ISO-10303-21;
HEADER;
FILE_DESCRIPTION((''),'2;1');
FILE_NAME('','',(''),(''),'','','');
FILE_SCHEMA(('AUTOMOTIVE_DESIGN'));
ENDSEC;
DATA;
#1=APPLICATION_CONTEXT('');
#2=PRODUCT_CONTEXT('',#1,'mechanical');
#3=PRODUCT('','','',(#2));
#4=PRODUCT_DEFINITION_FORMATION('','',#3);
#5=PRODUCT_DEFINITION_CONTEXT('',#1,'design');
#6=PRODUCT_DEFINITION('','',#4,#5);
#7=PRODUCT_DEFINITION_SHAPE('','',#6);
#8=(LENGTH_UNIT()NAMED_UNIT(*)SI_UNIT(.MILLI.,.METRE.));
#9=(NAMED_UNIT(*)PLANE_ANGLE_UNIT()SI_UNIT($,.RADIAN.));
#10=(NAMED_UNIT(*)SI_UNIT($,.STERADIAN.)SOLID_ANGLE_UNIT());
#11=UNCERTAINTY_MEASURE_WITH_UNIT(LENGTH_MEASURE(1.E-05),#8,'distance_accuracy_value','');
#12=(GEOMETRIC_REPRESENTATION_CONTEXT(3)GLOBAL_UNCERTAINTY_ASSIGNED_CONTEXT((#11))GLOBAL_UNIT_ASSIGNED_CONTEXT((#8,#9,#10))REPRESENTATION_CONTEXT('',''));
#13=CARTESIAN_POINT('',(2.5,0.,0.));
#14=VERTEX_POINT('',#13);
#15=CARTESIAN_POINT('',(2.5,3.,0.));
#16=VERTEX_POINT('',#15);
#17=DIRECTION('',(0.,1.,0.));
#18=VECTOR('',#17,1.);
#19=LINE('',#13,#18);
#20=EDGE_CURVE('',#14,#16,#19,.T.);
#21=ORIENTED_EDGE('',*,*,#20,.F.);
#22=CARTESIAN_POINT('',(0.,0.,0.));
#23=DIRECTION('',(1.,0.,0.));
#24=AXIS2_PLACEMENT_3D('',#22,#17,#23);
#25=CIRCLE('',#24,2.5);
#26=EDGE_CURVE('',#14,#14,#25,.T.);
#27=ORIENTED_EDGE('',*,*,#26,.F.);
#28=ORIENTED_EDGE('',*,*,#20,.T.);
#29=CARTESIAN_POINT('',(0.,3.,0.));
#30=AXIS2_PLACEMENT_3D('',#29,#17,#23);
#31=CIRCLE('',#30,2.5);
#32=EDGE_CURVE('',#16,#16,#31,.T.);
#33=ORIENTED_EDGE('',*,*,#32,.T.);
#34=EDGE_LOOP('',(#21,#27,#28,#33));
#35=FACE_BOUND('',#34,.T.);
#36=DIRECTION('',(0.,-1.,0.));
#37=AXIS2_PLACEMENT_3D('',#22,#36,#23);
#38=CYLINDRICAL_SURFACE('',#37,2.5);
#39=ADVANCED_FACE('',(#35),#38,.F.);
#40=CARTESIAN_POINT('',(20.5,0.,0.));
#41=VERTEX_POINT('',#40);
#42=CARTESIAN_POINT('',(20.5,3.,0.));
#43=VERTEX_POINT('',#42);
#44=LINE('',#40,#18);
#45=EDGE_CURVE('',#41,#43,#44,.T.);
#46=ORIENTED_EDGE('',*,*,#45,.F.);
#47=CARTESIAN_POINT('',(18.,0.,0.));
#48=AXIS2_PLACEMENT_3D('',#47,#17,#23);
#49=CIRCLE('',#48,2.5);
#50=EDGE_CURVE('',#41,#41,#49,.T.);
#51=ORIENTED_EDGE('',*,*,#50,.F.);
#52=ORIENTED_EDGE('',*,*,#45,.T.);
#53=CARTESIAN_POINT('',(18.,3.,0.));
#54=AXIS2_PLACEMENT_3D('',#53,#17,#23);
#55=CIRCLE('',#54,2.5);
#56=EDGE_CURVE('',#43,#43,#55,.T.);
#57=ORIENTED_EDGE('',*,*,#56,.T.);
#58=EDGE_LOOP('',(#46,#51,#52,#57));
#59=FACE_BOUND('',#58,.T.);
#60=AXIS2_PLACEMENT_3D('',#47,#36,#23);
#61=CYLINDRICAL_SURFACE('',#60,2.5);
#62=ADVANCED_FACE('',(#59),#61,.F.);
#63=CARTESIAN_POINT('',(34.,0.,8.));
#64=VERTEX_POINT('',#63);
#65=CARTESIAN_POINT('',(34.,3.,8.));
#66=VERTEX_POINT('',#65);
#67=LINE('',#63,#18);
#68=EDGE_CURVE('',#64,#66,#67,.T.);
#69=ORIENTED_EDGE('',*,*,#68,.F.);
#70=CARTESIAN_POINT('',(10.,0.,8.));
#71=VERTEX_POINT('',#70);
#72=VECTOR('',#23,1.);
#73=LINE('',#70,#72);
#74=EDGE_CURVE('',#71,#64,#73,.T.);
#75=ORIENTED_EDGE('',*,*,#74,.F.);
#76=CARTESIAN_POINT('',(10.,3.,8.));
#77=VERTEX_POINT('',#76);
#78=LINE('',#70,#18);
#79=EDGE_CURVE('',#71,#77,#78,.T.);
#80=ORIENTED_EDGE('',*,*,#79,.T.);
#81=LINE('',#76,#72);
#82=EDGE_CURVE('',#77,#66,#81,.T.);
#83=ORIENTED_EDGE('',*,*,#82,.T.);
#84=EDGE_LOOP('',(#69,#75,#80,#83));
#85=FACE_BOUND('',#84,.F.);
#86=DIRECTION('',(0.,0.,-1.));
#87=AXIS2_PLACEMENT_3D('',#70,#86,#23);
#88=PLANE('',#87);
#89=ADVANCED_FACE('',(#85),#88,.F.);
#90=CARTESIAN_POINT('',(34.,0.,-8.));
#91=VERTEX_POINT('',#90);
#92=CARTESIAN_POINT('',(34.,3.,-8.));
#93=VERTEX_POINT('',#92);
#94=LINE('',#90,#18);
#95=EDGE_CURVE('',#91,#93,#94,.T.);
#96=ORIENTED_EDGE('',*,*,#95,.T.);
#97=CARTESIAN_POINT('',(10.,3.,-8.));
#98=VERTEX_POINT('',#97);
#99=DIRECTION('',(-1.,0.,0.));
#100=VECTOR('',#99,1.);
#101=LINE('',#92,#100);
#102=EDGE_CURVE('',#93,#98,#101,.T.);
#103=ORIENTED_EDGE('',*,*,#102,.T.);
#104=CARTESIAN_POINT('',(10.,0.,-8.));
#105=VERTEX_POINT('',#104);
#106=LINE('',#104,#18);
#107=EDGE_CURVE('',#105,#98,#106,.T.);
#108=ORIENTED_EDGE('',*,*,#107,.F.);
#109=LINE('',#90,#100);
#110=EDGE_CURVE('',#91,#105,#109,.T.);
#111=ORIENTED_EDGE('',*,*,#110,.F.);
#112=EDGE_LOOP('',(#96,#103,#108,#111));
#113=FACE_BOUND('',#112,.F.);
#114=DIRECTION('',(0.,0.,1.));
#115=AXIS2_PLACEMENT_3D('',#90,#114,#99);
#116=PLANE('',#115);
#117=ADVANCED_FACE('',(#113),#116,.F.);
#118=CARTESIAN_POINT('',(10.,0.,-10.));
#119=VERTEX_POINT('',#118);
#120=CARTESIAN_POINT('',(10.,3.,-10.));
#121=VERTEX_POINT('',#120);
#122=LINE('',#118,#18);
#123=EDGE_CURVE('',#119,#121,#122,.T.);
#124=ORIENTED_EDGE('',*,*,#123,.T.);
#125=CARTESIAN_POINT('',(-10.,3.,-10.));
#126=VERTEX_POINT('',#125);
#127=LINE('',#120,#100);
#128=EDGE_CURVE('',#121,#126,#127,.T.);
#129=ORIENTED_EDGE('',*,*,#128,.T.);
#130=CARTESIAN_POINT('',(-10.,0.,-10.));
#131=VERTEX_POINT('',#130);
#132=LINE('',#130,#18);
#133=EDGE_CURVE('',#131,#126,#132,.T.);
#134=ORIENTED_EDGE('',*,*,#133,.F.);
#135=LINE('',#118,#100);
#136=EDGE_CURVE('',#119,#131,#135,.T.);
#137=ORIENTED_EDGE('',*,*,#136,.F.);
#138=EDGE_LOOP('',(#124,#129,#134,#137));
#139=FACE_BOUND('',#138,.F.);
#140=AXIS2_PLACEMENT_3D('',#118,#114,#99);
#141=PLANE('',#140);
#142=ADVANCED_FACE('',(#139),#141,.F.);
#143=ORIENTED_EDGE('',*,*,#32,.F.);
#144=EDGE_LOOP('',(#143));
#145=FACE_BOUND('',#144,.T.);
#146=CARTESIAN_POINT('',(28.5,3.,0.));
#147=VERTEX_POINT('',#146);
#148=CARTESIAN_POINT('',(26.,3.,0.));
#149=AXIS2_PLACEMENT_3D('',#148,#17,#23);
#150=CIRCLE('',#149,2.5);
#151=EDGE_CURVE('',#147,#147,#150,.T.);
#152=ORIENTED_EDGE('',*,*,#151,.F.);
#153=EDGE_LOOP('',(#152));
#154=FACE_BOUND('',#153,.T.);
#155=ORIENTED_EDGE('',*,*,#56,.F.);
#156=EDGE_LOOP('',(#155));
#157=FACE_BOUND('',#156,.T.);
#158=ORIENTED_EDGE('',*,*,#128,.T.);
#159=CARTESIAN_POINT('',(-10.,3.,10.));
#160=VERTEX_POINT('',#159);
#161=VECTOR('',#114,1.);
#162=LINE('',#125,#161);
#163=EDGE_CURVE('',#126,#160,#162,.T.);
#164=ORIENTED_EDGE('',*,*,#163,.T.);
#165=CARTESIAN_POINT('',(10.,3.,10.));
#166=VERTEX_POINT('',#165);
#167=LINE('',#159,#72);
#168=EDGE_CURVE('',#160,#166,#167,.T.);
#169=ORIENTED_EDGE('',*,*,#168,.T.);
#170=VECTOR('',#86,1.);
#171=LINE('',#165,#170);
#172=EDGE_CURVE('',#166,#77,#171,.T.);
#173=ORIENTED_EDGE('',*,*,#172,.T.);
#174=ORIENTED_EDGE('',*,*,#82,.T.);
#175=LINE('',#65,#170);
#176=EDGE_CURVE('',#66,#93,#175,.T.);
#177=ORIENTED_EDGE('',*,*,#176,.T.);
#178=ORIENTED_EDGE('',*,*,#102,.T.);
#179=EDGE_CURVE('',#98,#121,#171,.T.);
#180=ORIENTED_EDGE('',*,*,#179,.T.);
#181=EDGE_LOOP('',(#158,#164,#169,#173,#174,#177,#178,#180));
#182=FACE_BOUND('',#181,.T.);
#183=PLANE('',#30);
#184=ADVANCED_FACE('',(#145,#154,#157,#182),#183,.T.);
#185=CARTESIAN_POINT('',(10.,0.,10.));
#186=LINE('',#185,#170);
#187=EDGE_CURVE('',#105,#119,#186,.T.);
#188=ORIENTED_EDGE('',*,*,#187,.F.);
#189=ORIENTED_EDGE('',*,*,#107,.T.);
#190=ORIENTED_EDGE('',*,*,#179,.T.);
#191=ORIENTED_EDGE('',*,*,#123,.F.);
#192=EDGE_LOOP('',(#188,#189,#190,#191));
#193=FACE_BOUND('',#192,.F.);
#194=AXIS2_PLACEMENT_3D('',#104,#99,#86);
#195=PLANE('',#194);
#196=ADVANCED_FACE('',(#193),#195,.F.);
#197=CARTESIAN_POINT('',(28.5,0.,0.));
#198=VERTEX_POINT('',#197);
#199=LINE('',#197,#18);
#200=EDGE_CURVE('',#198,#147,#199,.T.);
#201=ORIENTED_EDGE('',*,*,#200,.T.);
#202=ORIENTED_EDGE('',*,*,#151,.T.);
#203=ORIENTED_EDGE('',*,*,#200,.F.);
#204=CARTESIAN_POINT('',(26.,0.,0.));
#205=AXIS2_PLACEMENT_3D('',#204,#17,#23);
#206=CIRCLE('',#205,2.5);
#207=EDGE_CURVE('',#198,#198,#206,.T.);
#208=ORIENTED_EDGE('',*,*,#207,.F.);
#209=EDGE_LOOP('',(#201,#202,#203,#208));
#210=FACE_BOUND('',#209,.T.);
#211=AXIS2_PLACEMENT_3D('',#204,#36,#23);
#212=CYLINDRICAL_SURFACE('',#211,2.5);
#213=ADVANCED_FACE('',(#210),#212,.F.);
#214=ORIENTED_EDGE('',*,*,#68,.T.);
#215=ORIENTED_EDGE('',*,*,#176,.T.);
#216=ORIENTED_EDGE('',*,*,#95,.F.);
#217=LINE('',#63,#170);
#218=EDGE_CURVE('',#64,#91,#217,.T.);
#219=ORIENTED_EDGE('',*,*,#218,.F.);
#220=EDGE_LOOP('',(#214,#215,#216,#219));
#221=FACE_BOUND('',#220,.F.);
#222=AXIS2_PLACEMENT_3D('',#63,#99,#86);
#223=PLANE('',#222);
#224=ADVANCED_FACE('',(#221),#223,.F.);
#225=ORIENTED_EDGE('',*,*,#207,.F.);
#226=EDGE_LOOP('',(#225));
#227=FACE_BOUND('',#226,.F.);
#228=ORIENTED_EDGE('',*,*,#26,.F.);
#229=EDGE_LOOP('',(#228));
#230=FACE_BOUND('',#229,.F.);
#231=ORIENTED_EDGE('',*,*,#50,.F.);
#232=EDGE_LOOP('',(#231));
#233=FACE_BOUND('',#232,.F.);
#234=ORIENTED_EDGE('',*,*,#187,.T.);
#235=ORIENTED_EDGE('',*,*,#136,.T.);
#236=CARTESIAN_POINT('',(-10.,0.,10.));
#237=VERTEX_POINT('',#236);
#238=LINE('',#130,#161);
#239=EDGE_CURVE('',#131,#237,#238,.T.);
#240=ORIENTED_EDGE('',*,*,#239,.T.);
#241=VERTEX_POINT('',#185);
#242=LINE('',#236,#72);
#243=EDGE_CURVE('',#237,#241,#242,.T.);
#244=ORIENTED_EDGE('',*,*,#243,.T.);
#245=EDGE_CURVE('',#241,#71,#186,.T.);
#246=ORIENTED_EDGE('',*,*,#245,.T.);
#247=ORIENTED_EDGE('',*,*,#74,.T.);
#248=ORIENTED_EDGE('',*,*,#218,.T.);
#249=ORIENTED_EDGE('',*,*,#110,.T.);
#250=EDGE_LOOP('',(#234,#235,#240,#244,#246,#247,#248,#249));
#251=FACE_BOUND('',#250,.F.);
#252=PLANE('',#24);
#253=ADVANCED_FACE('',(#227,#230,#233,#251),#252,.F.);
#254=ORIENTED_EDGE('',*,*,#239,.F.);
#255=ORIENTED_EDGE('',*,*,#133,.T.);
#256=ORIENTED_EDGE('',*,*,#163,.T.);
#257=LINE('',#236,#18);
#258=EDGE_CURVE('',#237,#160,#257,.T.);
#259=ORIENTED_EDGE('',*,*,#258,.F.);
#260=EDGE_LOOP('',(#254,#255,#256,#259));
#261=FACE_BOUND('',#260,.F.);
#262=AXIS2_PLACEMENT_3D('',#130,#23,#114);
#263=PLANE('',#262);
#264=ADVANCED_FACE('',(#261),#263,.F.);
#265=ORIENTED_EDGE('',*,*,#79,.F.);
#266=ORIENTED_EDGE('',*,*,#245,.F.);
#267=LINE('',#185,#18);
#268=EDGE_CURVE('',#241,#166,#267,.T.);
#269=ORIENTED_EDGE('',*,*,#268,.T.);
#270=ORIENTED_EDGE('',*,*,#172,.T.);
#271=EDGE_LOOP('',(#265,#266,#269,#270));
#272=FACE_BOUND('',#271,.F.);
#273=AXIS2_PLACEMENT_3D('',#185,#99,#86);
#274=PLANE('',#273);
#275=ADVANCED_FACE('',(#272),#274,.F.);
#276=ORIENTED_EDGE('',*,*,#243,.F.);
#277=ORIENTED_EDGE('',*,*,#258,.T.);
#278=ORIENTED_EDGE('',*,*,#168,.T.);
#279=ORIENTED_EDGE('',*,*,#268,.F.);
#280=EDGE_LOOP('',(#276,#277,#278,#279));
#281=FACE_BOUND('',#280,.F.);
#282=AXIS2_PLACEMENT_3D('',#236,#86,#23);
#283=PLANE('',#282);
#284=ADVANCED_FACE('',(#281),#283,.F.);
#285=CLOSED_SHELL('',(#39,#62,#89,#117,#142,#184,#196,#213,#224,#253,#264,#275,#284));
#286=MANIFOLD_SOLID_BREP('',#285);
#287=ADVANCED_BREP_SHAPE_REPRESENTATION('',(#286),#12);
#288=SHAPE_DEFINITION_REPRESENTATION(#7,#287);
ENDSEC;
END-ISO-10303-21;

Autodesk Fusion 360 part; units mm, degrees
sketch "Sketch1" plane through (0, 0, 0) normal (0, 1, 0) x (1, 0, 0)
  line L0 (10, 10) -> (-10, 10)
  line L1 (-10, 10) -> (-10, -10)
  line L2 (-10, -10) -> (10, -10)
  line L3 (10, -10) -> (10, 10)
  line L4 (10, 10) -> (-10, -10) construction
  line L5 (-10, 10) -> (10, -10) construction
  circle A0 centre (0, 0) radius 2.5
  circle A1 centre (18, 0) radius 2.5
  circle A2 centre (26, 0) radius 2.5
  line L6 (34, 8) -> (10, 8)
  line L7 (10, 8) -> (10, -8)
  line L8 (10, -8) -> (34, -8)
  line L9 (34, -8) -> (34, 8)
  line L10 (34, 8) -> (10, -8) construction
  line L11 (10, 8) -> (34, -8) construction
  point P0 (22, 0)
  dimension "d1" = 20
  dimension "d2" = 20
  dimension "d3" = 5
  dimension "d4" = 5
  dimension "d5" = 5
  dimension "d6" = 8
  dimension "d7" = 8
  dimension "d8" = 24
  dimension "d9" = 16
  dimension "d10" = 12
extrude "Extrude1" add sketch "Sketch1" along normal blind 3
